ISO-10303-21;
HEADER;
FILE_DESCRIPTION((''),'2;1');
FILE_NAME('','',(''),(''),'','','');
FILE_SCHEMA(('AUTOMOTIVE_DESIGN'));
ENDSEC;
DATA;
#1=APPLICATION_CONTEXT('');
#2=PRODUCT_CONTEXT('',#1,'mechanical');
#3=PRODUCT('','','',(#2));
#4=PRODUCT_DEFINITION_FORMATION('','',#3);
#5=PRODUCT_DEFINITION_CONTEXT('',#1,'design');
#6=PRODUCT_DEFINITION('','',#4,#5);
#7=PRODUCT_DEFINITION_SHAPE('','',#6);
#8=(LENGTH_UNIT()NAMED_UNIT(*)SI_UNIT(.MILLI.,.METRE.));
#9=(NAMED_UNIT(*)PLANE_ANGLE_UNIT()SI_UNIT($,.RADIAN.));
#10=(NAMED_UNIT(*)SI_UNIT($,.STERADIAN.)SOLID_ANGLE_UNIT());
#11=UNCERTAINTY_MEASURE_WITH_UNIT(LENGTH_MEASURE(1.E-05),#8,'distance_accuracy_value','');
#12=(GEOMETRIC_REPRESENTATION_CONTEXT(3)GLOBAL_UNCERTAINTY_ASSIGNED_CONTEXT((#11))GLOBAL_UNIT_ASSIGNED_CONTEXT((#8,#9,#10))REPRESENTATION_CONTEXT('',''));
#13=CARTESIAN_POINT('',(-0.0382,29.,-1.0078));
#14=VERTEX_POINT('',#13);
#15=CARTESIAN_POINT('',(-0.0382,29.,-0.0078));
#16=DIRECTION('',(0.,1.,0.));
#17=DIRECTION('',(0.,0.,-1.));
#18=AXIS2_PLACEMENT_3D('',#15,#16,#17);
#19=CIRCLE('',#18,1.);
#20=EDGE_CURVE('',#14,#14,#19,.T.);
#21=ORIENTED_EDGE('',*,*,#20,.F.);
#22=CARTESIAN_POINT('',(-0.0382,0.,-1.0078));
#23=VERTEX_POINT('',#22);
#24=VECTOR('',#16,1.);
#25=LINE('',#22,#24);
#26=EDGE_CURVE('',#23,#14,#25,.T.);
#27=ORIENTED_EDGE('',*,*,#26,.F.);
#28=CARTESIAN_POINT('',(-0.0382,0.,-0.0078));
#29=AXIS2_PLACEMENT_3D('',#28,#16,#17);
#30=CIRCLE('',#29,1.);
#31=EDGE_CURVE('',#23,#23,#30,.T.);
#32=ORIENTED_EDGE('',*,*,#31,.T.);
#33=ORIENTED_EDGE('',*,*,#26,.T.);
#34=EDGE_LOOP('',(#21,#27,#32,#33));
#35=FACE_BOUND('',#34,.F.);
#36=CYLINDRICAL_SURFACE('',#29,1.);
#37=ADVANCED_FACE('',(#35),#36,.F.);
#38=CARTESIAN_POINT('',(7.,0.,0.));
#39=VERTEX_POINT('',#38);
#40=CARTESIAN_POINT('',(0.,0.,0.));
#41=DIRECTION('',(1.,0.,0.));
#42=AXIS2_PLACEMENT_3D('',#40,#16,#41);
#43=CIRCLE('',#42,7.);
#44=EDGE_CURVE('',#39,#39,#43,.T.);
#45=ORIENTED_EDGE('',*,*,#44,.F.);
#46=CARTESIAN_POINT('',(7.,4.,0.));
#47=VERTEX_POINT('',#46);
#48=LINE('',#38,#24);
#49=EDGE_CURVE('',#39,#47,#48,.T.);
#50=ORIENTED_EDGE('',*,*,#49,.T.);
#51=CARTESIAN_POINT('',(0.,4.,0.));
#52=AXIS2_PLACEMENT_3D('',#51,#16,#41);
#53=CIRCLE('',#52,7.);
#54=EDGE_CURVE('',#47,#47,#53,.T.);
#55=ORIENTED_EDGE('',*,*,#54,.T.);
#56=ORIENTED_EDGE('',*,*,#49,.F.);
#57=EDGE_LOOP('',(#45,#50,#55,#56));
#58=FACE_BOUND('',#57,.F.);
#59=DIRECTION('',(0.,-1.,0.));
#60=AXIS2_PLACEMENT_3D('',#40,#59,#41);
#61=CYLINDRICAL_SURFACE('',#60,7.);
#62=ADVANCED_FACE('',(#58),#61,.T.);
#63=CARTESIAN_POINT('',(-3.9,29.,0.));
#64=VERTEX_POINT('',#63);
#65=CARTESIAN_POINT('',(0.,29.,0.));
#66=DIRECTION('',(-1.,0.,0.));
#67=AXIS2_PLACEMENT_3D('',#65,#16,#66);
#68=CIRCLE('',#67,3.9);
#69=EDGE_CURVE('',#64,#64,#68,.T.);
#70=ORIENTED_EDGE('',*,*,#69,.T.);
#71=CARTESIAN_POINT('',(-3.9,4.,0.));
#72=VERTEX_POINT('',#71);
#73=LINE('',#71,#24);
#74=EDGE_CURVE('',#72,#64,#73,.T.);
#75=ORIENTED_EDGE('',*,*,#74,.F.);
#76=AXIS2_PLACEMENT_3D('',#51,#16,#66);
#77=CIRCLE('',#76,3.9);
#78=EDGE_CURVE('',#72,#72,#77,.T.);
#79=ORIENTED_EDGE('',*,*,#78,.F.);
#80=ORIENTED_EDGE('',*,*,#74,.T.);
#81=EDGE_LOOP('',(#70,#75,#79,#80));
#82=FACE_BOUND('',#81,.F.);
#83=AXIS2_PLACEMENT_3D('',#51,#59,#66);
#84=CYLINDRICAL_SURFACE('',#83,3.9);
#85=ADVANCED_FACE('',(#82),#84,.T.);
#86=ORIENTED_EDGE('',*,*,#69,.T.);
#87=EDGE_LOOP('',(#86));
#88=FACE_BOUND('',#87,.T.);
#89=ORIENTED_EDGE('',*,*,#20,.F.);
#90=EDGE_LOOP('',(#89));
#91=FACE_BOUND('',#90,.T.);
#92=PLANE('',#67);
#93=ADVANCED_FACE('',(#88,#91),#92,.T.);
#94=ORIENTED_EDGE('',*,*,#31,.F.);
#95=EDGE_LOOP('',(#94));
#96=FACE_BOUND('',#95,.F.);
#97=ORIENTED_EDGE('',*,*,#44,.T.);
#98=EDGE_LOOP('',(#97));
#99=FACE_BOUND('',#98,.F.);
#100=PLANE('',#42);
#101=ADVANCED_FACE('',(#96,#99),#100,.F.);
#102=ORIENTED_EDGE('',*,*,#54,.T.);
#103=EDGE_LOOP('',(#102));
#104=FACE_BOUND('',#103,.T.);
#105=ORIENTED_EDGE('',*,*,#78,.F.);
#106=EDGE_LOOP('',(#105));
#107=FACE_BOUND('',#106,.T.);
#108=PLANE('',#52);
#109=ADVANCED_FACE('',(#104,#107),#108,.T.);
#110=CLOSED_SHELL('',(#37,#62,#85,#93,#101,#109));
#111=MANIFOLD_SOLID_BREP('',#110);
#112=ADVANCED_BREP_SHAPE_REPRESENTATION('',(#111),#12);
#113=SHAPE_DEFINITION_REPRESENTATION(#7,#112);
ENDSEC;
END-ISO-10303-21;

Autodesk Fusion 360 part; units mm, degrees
sketch "Base" plane through (0, 0, 0) normal (0, 1, 0) x (1, 0, 0)
  circle A0 centre (0, 0) radius 7
  dimension "d1" = 14
extrude "Extrude1" add sketch "Base" along normal blind 4
sketch "Pin" plane through (0, 4, 0) normal (0, 1, 0) x (-1, 0, 0)
  circle A0 centre (0, 0) radius 7
  circle A1 centre (0, 0) radius 3.9
  dimension "d4" = 7.8
extrude "Extrude2" add sketch "Pin" along normal blind 25 contours A1
hole "Hole1" at (-0.0382, 0, -0.0078) direction (0, 1, 0) diameter 2 end through all
